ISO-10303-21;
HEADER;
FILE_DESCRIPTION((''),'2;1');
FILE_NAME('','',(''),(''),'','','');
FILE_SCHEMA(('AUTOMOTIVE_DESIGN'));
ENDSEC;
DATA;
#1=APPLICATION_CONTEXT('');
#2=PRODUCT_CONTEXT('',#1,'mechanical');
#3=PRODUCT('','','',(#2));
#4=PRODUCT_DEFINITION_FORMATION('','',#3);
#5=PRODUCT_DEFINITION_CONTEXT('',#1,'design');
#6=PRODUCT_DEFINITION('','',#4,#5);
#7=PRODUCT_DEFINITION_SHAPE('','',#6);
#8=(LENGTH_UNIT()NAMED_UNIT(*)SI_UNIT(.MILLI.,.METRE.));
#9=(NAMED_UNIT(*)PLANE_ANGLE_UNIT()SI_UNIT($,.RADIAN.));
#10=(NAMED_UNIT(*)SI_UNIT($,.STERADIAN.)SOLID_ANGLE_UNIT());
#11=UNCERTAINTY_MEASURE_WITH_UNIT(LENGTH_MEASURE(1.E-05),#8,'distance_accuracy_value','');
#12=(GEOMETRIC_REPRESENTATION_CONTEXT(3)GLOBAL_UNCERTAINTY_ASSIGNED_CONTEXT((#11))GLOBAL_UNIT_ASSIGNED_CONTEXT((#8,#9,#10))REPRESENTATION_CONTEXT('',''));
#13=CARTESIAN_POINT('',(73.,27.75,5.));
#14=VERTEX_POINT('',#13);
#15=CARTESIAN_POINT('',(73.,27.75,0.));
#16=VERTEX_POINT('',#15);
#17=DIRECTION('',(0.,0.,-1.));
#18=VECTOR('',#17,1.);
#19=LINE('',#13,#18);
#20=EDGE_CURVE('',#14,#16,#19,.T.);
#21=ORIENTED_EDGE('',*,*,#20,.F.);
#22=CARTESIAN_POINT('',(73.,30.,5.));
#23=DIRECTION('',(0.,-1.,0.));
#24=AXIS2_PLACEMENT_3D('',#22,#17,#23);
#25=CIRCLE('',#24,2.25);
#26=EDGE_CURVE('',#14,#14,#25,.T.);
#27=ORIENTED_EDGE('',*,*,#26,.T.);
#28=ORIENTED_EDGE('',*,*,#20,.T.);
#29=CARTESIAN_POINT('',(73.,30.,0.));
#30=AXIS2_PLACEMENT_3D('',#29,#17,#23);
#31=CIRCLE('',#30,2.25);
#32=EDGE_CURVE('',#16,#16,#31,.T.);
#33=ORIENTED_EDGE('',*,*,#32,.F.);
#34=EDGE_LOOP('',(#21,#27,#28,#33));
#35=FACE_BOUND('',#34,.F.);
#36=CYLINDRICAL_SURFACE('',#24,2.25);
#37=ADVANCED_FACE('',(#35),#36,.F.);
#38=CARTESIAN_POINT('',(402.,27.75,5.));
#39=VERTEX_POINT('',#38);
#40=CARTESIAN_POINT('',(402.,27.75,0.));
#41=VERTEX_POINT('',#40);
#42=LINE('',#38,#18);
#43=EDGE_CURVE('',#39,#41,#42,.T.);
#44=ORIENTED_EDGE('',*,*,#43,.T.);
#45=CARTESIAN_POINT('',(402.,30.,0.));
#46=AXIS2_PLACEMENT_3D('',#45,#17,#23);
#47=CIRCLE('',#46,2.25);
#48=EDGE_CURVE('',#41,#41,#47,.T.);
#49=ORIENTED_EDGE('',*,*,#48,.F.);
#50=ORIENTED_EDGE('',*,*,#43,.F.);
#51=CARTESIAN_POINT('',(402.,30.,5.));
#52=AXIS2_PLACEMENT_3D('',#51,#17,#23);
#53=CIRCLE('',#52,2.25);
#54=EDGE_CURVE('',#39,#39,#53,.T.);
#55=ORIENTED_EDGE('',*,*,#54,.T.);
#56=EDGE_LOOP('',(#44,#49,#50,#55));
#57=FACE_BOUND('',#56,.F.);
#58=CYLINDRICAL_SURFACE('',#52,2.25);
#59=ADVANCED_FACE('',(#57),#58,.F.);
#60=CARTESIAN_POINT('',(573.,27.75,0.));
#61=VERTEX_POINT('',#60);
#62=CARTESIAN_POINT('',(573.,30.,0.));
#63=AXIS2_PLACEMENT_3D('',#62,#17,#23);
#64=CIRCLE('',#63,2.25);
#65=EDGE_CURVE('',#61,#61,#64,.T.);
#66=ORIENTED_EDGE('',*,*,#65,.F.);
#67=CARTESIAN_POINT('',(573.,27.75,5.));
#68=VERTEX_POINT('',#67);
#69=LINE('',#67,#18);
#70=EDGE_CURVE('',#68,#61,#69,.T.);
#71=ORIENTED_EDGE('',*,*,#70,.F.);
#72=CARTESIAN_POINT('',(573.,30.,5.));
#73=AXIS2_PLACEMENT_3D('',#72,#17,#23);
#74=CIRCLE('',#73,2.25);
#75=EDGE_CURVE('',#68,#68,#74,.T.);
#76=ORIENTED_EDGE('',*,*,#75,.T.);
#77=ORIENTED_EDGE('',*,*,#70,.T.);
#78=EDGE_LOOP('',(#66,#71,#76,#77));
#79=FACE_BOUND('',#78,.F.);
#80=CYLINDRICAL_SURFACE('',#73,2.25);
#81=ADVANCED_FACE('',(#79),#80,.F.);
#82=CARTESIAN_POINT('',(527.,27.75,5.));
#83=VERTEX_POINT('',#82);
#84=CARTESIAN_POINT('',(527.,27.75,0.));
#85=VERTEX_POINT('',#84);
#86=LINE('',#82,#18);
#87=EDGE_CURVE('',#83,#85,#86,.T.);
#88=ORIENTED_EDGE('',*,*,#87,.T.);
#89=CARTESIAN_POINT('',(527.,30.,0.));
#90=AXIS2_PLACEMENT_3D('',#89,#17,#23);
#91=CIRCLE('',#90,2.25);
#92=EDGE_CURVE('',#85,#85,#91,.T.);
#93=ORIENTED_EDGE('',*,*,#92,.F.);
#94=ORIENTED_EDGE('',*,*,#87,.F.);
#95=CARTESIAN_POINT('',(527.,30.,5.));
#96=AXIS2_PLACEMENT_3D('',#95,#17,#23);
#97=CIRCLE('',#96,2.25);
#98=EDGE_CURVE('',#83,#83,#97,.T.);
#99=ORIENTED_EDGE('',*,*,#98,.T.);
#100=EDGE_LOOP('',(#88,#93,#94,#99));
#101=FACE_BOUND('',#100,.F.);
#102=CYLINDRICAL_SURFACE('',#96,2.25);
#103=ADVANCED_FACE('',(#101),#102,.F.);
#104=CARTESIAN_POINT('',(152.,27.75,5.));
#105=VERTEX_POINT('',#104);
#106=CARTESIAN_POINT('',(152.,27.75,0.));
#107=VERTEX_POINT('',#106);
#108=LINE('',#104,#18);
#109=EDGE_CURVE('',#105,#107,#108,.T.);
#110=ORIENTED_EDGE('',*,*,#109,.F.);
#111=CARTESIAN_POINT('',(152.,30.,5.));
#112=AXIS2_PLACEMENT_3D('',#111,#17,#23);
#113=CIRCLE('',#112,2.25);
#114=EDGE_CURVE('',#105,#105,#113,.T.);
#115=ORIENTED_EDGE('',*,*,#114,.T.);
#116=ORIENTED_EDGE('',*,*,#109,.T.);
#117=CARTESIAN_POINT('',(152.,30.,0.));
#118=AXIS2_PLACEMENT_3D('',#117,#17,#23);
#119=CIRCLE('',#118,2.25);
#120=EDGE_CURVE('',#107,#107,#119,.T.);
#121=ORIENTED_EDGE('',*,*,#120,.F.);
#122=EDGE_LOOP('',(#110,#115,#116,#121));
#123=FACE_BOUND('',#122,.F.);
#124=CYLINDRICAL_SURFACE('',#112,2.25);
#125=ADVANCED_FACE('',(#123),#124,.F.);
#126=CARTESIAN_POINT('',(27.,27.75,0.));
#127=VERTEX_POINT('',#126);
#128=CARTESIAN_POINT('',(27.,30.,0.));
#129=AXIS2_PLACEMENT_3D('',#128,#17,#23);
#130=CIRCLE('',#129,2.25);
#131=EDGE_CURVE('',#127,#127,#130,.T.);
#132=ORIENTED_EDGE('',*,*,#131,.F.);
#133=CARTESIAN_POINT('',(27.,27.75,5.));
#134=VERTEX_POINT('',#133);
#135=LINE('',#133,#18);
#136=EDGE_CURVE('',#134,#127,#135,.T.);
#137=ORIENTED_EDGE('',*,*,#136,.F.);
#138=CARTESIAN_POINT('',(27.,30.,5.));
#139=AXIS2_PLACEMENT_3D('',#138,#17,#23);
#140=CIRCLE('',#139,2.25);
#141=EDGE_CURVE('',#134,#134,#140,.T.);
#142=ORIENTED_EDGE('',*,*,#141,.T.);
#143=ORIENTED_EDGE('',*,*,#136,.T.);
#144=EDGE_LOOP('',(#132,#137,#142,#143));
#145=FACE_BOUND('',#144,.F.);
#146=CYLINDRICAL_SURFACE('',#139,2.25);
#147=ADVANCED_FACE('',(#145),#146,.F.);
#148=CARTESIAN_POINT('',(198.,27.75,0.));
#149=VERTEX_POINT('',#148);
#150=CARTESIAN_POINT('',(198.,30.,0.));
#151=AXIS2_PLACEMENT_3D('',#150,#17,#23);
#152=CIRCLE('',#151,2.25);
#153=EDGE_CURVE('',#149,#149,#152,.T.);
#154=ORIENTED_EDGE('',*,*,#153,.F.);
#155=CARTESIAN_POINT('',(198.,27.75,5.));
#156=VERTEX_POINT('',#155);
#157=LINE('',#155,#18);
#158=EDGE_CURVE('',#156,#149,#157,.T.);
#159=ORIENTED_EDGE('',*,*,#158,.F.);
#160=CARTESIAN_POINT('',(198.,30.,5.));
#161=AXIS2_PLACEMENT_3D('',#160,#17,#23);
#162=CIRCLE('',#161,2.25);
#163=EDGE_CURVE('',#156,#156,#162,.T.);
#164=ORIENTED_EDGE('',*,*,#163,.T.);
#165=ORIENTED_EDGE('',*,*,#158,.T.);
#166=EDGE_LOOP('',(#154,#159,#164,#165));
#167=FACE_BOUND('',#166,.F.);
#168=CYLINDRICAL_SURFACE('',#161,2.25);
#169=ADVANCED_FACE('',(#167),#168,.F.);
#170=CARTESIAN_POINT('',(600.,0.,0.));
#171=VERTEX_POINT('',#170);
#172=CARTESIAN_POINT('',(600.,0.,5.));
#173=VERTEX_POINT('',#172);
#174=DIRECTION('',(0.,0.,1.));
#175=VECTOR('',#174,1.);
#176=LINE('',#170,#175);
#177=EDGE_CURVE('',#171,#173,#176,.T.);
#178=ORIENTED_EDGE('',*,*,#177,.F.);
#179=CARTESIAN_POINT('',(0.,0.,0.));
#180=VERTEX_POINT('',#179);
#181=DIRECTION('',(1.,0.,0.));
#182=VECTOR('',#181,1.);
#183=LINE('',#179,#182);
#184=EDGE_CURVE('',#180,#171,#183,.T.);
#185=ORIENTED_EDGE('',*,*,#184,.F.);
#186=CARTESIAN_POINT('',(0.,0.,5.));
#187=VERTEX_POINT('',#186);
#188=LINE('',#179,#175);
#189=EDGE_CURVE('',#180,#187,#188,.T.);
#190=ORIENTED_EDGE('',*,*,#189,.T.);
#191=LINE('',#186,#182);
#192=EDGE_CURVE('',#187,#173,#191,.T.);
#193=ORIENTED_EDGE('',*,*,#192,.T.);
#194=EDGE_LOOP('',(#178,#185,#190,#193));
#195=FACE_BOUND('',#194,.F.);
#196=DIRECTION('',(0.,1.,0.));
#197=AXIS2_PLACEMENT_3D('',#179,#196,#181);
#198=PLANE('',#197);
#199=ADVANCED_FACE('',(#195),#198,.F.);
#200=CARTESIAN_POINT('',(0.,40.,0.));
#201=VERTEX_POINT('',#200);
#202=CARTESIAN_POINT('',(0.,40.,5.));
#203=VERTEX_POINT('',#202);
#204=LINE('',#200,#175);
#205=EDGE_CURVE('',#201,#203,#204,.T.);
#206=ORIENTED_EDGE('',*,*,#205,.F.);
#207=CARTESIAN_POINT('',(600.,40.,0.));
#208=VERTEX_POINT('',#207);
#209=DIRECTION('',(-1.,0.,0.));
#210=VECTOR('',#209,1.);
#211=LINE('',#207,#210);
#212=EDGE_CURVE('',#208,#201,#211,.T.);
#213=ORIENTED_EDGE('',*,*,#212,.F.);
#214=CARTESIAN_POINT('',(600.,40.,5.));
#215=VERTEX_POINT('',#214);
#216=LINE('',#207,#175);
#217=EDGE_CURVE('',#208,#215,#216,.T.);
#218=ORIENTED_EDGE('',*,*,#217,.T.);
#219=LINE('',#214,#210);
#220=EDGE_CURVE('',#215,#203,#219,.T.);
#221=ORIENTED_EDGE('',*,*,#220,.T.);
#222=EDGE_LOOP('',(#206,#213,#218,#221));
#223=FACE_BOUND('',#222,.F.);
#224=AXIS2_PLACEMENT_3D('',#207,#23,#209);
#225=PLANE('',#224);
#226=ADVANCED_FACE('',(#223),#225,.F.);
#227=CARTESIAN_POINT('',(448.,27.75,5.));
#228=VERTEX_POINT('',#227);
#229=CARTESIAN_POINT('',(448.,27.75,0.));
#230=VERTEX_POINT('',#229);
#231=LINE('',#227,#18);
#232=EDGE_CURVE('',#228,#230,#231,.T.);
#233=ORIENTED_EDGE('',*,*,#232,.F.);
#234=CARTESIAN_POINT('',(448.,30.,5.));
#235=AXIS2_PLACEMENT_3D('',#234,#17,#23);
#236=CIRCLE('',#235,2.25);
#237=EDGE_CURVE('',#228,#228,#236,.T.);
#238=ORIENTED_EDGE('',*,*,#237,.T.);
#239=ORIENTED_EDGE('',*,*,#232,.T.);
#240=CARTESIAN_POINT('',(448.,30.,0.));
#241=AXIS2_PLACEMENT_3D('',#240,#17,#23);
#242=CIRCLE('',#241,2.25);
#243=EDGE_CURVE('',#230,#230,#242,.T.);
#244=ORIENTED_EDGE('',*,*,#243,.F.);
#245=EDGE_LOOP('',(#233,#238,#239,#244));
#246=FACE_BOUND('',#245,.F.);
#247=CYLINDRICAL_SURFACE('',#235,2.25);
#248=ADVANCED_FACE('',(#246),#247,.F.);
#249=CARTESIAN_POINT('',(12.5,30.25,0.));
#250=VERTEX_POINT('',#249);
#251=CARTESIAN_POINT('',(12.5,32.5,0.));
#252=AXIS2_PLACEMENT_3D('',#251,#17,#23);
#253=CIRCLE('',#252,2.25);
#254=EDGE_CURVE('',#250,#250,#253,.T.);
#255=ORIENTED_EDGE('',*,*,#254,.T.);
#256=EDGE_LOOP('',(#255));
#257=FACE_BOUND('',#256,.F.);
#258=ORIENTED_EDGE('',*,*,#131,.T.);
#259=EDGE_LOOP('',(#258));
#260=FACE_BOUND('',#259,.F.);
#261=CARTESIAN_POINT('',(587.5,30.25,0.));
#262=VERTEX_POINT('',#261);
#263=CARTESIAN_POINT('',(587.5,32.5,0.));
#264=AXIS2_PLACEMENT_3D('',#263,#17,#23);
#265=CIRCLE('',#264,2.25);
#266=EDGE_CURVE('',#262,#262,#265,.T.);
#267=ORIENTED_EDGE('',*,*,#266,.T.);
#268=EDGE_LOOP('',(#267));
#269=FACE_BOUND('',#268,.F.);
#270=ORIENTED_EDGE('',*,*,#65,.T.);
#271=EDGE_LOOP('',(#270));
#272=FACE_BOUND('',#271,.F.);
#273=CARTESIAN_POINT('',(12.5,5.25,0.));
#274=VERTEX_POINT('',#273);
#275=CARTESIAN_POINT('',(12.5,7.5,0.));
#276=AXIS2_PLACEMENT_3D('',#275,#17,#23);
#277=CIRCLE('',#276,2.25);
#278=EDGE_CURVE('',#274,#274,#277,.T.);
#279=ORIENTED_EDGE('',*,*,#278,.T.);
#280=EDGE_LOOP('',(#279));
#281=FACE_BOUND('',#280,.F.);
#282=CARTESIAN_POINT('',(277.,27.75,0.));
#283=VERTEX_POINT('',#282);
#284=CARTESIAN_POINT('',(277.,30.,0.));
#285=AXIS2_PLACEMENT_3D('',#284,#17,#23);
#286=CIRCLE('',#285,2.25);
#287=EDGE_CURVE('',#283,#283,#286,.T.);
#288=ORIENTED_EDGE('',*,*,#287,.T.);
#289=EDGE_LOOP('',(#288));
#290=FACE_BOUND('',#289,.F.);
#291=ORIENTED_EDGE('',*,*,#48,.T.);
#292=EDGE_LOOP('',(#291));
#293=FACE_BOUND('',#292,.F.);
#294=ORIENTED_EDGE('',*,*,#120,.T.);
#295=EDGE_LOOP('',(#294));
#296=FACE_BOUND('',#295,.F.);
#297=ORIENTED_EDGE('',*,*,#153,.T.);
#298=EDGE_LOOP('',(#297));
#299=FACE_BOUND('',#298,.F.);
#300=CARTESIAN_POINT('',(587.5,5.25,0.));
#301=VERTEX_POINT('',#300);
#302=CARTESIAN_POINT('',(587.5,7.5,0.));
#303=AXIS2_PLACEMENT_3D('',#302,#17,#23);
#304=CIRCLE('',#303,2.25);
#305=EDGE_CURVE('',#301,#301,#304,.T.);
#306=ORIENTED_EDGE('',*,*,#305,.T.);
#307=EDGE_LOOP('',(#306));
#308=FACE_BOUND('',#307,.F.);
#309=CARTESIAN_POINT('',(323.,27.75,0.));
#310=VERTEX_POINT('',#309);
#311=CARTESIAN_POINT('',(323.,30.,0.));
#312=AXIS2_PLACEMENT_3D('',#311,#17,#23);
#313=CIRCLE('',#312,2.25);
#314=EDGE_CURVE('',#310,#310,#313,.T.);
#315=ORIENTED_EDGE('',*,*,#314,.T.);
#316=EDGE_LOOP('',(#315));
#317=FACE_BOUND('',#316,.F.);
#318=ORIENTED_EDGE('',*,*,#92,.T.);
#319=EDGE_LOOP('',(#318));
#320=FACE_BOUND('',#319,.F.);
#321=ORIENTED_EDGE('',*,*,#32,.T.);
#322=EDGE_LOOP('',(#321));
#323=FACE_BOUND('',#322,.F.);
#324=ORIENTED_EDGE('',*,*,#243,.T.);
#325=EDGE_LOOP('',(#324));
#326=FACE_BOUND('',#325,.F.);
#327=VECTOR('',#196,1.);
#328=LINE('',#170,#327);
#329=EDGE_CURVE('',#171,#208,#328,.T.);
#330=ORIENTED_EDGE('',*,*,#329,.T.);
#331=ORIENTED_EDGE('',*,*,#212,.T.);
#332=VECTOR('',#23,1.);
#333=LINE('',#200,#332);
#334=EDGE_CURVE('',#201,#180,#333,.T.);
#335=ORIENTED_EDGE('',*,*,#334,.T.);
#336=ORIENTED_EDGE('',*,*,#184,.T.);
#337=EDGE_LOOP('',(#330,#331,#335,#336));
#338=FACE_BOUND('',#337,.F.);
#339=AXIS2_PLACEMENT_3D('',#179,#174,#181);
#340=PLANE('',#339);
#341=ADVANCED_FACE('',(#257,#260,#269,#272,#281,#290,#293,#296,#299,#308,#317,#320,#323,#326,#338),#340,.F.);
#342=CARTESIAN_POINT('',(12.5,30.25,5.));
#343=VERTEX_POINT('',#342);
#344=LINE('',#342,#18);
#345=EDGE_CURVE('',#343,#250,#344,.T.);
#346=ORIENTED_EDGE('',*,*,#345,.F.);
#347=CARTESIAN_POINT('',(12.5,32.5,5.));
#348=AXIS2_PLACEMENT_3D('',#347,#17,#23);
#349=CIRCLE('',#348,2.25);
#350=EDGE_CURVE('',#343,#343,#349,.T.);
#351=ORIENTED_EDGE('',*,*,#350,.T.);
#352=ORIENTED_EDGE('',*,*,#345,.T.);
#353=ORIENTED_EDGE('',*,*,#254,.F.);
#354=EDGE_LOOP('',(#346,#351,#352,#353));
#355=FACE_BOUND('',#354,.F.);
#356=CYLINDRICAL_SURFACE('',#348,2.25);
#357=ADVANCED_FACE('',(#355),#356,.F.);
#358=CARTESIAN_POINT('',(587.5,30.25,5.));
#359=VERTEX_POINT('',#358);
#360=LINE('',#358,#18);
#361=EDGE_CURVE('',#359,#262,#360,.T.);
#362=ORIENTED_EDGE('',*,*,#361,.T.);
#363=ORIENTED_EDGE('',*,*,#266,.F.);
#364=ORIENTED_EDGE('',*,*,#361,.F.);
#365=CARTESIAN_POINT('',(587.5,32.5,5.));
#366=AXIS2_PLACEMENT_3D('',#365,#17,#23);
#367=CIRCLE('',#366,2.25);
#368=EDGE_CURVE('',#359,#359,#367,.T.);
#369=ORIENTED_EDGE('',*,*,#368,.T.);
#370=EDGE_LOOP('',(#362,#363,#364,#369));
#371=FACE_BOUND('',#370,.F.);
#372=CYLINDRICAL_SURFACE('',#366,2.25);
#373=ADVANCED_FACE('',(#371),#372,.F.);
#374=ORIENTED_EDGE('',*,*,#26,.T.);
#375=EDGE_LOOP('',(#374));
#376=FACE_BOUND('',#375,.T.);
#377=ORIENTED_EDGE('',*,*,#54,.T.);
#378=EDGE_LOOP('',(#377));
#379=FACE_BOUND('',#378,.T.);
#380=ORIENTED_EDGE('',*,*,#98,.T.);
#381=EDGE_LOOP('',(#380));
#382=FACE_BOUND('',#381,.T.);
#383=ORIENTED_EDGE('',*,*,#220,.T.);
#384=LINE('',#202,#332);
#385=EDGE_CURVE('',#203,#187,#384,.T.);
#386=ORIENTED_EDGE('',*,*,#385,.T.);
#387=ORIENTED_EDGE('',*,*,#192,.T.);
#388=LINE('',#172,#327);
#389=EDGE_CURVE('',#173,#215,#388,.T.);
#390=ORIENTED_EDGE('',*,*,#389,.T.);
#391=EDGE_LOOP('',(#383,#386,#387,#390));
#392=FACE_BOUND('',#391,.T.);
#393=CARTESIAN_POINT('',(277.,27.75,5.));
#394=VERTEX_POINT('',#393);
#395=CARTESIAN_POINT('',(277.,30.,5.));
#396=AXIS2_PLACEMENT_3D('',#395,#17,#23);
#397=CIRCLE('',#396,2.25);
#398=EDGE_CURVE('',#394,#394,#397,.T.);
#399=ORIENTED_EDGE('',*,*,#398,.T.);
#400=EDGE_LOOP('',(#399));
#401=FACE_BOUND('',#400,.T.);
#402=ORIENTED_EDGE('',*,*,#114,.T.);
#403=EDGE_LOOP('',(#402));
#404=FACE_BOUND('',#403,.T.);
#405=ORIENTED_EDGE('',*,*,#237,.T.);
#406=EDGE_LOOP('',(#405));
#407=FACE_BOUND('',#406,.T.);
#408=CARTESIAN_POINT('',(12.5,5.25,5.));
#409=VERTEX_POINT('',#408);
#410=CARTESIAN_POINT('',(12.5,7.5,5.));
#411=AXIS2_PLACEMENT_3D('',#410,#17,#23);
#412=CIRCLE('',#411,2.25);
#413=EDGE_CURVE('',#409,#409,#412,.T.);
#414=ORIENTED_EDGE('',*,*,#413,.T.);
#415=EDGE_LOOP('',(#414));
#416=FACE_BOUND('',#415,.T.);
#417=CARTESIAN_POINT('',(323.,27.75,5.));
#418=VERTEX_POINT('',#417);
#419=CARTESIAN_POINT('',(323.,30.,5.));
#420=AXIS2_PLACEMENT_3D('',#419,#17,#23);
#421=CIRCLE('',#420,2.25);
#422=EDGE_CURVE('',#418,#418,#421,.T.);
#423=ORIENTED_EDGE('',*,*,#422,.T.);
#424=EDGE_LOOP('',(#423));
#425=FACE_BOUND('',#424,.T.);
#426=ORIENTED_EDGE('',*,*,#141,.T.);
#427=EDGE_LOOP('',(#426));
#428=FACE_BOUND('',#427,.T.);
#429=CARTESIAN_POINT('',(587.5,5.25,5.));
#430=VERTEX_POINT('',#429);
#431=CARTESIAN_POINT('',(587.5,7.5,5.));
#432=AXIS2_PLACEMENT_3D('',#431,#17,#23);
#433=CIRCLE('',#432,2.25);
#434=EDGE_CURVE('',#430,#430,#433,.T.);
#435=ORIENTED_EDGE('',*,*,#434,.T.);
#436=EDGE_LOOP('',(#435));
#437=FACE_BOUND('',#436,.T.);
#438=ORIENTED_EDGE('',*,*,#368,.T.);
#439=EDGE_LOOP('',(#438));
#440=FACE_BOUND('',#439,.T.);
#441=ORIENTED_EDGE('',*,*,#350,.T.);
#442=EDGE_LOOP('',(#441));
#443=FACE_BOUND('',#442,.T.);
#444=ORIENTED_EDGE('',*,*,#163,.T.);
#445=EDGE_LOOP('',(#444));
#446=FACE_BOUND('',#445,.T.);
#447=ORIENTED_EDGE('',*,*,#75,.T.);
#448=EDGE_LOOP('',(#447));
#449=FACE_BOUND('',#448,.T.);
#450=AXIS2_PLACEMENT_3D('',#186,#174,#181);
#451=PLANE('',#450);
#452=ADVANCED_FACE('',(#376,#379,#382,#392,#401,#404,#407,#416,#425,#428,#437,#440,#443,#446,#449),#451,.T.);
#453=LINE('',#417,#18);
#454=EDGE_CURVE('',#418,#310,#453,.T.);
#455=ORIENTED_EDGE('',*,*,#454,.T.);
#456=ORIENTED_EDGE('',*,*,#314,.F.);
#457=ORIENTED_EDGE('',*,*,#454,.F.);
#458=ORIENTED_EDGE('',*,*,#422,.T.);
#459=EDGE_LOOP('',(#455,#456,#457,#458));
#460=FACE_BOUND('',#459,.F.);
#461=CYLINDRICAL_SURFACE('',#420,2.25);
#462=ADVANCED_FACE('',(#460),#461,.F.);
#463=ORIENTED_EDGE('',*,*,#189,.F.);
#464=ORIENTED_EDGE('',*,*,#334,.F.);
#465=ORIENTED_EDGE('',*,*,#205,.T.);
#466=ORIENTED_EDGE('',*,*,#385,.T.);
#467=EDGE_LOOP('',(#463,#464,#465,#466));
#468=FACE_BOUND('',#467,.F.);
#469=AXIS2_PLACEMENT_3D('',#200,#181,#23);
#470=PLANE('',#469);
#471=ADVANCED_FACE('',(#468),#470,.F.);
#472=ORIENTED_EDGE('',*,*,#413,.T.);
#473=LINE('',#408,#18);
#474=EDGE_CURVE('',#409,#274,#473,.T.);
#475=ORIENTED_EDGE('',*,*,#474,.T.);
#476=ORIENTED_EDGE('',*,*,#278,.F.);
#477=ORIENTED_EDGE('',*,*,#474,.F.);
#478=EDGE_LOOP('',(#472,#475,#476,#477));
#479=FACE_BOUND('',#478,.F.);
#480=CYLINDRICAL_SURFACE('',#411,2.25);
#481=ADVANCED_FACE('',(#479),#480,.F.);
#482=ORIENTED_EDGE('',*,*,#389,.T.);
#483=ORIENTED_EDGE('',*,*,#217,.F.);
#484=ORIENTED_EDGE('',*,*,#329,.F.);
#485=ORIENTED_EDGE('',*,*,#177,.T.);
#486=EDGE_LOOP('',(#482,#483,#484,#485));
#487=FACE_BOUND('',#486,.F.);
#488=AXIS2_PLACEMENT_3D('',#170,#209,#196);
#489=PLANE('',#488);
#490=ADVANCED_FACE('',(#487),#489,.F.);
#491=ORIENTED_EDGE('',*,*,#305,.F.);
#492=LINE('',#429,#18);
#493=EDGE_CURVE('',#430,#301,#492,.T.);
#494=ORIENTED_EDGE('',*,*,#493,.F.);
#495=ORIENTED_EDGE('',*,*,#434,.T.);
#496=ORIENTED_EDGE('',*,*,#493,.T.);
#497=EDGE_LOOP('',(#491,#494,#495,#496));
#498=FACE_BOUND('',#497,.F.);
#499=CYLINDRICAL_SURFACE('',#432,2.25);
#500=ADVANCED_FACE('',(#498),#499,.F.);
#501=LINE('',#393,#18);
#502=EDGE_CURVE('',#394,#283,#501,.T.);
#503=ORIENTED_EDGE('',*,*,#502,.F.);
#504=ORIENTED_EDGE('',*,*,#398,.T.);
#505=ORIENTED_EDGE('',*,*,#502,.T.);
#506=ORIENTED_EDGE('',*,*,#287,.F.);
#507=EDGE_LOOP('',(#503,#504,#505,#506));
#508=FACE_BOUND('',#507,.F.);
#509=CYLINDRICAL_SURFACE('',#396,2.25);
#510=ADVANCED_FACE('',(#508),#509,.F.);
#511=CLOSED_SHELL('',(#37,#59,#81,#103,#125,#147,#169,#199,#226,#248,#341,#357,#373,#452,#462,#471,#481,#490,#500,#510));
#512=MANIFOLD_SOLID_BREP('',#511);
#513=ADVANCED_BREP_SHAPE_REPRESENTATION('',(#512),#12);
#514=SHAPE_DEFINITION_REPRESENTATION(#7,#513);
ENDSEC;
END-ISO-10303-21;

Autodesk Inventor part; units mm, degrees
ref_plane "YZ Plane" through (0, 0, 0) normal (1, 0, 0) x (0, 1, 0)
ref_plane "XZ Plane" through (0, 0, 0) normal (0, 1, 0) x (-1, 0, 0)
ref_plane "XY Plane" through (0, 0, 0) normal (0, 0, 1) x (1, 0, 0)
sketch "Sketch1" plane through (0, 0, 0) normal (0, 0, 1) x (1, 0, 0)
  line L0 (0, 0) -> (600, 0)
  line L1 (600, 0) -> (600, 40)
  line L2 (600, 40) -> (0, 40)
  line L3 (0, 40) -> (0, 0)
  dimension "d0" = 600
  dimension "d1" = 40
extrude "Extrusion1" add sketch "Sketch1" along normal blind 5
sketch "Sketch2" plane through (0, 0, 5) normal (0, 0, 1) x (1, 0, 0)
  line L0 (600, 40) -> (0, 40) projected
  line L1 (0, 40) -> (0, 0) projected
  line L2 (0, 0) -> (600, 0) projected
  line L3 (600, 0) -> (600, 40) projected
  point P0 (12.5, 32.5)
  point P1 (12.5, 7.5)
  point P2 (587.5, 32.5)
  point P3 (587.5, 7.5)
  dimension "d4" = 7.5
  dimension "d5" = 12.5
  dimension "d6" = 7.5
  dimension "d7" = 12.5
hole "Hole1" at (12.5, 32.5, 5) at (12.5, 7.5, 5) at (587.5, 32.5, 5) at (587.5, 7.5, 5) direction (0, 0, -1) diameter 4.5 end through all clearance for "Flat Head Machine Screw" size "M4" standard "Ansi Metric M Profile"
sketch "Sketch3" plane through (0, 0, 5) normal (0, 0, 1) x (1, 0, 0)
  line L0 (600, 40) -> (0, 40) projected
  line L1 (0, 40) -> (0, 0) projected
  point P0 (27, 30)
  point P1 (73, 30)
  dimension "d15" = 46
  dimension "d16" = 10
  dimension "d17" = 27
hole "Hole2" at (27, 30, 5) at (73, 30, 5) direction (0, 0, -1) diameter 4.5 end through all clearance for "Flat Head Machine Screw" size "M4" standard "Ansi Metric M Profile"
pattern_linear "Rectangular Pattern1" count 5 spacing 125 along (1, 0, 0) of "Hole2"
equation "\"d6\" = d4"
equation "\"d7\" = d5"
properties part number "Top_End Piece 2" material "Wood (Birch)"
